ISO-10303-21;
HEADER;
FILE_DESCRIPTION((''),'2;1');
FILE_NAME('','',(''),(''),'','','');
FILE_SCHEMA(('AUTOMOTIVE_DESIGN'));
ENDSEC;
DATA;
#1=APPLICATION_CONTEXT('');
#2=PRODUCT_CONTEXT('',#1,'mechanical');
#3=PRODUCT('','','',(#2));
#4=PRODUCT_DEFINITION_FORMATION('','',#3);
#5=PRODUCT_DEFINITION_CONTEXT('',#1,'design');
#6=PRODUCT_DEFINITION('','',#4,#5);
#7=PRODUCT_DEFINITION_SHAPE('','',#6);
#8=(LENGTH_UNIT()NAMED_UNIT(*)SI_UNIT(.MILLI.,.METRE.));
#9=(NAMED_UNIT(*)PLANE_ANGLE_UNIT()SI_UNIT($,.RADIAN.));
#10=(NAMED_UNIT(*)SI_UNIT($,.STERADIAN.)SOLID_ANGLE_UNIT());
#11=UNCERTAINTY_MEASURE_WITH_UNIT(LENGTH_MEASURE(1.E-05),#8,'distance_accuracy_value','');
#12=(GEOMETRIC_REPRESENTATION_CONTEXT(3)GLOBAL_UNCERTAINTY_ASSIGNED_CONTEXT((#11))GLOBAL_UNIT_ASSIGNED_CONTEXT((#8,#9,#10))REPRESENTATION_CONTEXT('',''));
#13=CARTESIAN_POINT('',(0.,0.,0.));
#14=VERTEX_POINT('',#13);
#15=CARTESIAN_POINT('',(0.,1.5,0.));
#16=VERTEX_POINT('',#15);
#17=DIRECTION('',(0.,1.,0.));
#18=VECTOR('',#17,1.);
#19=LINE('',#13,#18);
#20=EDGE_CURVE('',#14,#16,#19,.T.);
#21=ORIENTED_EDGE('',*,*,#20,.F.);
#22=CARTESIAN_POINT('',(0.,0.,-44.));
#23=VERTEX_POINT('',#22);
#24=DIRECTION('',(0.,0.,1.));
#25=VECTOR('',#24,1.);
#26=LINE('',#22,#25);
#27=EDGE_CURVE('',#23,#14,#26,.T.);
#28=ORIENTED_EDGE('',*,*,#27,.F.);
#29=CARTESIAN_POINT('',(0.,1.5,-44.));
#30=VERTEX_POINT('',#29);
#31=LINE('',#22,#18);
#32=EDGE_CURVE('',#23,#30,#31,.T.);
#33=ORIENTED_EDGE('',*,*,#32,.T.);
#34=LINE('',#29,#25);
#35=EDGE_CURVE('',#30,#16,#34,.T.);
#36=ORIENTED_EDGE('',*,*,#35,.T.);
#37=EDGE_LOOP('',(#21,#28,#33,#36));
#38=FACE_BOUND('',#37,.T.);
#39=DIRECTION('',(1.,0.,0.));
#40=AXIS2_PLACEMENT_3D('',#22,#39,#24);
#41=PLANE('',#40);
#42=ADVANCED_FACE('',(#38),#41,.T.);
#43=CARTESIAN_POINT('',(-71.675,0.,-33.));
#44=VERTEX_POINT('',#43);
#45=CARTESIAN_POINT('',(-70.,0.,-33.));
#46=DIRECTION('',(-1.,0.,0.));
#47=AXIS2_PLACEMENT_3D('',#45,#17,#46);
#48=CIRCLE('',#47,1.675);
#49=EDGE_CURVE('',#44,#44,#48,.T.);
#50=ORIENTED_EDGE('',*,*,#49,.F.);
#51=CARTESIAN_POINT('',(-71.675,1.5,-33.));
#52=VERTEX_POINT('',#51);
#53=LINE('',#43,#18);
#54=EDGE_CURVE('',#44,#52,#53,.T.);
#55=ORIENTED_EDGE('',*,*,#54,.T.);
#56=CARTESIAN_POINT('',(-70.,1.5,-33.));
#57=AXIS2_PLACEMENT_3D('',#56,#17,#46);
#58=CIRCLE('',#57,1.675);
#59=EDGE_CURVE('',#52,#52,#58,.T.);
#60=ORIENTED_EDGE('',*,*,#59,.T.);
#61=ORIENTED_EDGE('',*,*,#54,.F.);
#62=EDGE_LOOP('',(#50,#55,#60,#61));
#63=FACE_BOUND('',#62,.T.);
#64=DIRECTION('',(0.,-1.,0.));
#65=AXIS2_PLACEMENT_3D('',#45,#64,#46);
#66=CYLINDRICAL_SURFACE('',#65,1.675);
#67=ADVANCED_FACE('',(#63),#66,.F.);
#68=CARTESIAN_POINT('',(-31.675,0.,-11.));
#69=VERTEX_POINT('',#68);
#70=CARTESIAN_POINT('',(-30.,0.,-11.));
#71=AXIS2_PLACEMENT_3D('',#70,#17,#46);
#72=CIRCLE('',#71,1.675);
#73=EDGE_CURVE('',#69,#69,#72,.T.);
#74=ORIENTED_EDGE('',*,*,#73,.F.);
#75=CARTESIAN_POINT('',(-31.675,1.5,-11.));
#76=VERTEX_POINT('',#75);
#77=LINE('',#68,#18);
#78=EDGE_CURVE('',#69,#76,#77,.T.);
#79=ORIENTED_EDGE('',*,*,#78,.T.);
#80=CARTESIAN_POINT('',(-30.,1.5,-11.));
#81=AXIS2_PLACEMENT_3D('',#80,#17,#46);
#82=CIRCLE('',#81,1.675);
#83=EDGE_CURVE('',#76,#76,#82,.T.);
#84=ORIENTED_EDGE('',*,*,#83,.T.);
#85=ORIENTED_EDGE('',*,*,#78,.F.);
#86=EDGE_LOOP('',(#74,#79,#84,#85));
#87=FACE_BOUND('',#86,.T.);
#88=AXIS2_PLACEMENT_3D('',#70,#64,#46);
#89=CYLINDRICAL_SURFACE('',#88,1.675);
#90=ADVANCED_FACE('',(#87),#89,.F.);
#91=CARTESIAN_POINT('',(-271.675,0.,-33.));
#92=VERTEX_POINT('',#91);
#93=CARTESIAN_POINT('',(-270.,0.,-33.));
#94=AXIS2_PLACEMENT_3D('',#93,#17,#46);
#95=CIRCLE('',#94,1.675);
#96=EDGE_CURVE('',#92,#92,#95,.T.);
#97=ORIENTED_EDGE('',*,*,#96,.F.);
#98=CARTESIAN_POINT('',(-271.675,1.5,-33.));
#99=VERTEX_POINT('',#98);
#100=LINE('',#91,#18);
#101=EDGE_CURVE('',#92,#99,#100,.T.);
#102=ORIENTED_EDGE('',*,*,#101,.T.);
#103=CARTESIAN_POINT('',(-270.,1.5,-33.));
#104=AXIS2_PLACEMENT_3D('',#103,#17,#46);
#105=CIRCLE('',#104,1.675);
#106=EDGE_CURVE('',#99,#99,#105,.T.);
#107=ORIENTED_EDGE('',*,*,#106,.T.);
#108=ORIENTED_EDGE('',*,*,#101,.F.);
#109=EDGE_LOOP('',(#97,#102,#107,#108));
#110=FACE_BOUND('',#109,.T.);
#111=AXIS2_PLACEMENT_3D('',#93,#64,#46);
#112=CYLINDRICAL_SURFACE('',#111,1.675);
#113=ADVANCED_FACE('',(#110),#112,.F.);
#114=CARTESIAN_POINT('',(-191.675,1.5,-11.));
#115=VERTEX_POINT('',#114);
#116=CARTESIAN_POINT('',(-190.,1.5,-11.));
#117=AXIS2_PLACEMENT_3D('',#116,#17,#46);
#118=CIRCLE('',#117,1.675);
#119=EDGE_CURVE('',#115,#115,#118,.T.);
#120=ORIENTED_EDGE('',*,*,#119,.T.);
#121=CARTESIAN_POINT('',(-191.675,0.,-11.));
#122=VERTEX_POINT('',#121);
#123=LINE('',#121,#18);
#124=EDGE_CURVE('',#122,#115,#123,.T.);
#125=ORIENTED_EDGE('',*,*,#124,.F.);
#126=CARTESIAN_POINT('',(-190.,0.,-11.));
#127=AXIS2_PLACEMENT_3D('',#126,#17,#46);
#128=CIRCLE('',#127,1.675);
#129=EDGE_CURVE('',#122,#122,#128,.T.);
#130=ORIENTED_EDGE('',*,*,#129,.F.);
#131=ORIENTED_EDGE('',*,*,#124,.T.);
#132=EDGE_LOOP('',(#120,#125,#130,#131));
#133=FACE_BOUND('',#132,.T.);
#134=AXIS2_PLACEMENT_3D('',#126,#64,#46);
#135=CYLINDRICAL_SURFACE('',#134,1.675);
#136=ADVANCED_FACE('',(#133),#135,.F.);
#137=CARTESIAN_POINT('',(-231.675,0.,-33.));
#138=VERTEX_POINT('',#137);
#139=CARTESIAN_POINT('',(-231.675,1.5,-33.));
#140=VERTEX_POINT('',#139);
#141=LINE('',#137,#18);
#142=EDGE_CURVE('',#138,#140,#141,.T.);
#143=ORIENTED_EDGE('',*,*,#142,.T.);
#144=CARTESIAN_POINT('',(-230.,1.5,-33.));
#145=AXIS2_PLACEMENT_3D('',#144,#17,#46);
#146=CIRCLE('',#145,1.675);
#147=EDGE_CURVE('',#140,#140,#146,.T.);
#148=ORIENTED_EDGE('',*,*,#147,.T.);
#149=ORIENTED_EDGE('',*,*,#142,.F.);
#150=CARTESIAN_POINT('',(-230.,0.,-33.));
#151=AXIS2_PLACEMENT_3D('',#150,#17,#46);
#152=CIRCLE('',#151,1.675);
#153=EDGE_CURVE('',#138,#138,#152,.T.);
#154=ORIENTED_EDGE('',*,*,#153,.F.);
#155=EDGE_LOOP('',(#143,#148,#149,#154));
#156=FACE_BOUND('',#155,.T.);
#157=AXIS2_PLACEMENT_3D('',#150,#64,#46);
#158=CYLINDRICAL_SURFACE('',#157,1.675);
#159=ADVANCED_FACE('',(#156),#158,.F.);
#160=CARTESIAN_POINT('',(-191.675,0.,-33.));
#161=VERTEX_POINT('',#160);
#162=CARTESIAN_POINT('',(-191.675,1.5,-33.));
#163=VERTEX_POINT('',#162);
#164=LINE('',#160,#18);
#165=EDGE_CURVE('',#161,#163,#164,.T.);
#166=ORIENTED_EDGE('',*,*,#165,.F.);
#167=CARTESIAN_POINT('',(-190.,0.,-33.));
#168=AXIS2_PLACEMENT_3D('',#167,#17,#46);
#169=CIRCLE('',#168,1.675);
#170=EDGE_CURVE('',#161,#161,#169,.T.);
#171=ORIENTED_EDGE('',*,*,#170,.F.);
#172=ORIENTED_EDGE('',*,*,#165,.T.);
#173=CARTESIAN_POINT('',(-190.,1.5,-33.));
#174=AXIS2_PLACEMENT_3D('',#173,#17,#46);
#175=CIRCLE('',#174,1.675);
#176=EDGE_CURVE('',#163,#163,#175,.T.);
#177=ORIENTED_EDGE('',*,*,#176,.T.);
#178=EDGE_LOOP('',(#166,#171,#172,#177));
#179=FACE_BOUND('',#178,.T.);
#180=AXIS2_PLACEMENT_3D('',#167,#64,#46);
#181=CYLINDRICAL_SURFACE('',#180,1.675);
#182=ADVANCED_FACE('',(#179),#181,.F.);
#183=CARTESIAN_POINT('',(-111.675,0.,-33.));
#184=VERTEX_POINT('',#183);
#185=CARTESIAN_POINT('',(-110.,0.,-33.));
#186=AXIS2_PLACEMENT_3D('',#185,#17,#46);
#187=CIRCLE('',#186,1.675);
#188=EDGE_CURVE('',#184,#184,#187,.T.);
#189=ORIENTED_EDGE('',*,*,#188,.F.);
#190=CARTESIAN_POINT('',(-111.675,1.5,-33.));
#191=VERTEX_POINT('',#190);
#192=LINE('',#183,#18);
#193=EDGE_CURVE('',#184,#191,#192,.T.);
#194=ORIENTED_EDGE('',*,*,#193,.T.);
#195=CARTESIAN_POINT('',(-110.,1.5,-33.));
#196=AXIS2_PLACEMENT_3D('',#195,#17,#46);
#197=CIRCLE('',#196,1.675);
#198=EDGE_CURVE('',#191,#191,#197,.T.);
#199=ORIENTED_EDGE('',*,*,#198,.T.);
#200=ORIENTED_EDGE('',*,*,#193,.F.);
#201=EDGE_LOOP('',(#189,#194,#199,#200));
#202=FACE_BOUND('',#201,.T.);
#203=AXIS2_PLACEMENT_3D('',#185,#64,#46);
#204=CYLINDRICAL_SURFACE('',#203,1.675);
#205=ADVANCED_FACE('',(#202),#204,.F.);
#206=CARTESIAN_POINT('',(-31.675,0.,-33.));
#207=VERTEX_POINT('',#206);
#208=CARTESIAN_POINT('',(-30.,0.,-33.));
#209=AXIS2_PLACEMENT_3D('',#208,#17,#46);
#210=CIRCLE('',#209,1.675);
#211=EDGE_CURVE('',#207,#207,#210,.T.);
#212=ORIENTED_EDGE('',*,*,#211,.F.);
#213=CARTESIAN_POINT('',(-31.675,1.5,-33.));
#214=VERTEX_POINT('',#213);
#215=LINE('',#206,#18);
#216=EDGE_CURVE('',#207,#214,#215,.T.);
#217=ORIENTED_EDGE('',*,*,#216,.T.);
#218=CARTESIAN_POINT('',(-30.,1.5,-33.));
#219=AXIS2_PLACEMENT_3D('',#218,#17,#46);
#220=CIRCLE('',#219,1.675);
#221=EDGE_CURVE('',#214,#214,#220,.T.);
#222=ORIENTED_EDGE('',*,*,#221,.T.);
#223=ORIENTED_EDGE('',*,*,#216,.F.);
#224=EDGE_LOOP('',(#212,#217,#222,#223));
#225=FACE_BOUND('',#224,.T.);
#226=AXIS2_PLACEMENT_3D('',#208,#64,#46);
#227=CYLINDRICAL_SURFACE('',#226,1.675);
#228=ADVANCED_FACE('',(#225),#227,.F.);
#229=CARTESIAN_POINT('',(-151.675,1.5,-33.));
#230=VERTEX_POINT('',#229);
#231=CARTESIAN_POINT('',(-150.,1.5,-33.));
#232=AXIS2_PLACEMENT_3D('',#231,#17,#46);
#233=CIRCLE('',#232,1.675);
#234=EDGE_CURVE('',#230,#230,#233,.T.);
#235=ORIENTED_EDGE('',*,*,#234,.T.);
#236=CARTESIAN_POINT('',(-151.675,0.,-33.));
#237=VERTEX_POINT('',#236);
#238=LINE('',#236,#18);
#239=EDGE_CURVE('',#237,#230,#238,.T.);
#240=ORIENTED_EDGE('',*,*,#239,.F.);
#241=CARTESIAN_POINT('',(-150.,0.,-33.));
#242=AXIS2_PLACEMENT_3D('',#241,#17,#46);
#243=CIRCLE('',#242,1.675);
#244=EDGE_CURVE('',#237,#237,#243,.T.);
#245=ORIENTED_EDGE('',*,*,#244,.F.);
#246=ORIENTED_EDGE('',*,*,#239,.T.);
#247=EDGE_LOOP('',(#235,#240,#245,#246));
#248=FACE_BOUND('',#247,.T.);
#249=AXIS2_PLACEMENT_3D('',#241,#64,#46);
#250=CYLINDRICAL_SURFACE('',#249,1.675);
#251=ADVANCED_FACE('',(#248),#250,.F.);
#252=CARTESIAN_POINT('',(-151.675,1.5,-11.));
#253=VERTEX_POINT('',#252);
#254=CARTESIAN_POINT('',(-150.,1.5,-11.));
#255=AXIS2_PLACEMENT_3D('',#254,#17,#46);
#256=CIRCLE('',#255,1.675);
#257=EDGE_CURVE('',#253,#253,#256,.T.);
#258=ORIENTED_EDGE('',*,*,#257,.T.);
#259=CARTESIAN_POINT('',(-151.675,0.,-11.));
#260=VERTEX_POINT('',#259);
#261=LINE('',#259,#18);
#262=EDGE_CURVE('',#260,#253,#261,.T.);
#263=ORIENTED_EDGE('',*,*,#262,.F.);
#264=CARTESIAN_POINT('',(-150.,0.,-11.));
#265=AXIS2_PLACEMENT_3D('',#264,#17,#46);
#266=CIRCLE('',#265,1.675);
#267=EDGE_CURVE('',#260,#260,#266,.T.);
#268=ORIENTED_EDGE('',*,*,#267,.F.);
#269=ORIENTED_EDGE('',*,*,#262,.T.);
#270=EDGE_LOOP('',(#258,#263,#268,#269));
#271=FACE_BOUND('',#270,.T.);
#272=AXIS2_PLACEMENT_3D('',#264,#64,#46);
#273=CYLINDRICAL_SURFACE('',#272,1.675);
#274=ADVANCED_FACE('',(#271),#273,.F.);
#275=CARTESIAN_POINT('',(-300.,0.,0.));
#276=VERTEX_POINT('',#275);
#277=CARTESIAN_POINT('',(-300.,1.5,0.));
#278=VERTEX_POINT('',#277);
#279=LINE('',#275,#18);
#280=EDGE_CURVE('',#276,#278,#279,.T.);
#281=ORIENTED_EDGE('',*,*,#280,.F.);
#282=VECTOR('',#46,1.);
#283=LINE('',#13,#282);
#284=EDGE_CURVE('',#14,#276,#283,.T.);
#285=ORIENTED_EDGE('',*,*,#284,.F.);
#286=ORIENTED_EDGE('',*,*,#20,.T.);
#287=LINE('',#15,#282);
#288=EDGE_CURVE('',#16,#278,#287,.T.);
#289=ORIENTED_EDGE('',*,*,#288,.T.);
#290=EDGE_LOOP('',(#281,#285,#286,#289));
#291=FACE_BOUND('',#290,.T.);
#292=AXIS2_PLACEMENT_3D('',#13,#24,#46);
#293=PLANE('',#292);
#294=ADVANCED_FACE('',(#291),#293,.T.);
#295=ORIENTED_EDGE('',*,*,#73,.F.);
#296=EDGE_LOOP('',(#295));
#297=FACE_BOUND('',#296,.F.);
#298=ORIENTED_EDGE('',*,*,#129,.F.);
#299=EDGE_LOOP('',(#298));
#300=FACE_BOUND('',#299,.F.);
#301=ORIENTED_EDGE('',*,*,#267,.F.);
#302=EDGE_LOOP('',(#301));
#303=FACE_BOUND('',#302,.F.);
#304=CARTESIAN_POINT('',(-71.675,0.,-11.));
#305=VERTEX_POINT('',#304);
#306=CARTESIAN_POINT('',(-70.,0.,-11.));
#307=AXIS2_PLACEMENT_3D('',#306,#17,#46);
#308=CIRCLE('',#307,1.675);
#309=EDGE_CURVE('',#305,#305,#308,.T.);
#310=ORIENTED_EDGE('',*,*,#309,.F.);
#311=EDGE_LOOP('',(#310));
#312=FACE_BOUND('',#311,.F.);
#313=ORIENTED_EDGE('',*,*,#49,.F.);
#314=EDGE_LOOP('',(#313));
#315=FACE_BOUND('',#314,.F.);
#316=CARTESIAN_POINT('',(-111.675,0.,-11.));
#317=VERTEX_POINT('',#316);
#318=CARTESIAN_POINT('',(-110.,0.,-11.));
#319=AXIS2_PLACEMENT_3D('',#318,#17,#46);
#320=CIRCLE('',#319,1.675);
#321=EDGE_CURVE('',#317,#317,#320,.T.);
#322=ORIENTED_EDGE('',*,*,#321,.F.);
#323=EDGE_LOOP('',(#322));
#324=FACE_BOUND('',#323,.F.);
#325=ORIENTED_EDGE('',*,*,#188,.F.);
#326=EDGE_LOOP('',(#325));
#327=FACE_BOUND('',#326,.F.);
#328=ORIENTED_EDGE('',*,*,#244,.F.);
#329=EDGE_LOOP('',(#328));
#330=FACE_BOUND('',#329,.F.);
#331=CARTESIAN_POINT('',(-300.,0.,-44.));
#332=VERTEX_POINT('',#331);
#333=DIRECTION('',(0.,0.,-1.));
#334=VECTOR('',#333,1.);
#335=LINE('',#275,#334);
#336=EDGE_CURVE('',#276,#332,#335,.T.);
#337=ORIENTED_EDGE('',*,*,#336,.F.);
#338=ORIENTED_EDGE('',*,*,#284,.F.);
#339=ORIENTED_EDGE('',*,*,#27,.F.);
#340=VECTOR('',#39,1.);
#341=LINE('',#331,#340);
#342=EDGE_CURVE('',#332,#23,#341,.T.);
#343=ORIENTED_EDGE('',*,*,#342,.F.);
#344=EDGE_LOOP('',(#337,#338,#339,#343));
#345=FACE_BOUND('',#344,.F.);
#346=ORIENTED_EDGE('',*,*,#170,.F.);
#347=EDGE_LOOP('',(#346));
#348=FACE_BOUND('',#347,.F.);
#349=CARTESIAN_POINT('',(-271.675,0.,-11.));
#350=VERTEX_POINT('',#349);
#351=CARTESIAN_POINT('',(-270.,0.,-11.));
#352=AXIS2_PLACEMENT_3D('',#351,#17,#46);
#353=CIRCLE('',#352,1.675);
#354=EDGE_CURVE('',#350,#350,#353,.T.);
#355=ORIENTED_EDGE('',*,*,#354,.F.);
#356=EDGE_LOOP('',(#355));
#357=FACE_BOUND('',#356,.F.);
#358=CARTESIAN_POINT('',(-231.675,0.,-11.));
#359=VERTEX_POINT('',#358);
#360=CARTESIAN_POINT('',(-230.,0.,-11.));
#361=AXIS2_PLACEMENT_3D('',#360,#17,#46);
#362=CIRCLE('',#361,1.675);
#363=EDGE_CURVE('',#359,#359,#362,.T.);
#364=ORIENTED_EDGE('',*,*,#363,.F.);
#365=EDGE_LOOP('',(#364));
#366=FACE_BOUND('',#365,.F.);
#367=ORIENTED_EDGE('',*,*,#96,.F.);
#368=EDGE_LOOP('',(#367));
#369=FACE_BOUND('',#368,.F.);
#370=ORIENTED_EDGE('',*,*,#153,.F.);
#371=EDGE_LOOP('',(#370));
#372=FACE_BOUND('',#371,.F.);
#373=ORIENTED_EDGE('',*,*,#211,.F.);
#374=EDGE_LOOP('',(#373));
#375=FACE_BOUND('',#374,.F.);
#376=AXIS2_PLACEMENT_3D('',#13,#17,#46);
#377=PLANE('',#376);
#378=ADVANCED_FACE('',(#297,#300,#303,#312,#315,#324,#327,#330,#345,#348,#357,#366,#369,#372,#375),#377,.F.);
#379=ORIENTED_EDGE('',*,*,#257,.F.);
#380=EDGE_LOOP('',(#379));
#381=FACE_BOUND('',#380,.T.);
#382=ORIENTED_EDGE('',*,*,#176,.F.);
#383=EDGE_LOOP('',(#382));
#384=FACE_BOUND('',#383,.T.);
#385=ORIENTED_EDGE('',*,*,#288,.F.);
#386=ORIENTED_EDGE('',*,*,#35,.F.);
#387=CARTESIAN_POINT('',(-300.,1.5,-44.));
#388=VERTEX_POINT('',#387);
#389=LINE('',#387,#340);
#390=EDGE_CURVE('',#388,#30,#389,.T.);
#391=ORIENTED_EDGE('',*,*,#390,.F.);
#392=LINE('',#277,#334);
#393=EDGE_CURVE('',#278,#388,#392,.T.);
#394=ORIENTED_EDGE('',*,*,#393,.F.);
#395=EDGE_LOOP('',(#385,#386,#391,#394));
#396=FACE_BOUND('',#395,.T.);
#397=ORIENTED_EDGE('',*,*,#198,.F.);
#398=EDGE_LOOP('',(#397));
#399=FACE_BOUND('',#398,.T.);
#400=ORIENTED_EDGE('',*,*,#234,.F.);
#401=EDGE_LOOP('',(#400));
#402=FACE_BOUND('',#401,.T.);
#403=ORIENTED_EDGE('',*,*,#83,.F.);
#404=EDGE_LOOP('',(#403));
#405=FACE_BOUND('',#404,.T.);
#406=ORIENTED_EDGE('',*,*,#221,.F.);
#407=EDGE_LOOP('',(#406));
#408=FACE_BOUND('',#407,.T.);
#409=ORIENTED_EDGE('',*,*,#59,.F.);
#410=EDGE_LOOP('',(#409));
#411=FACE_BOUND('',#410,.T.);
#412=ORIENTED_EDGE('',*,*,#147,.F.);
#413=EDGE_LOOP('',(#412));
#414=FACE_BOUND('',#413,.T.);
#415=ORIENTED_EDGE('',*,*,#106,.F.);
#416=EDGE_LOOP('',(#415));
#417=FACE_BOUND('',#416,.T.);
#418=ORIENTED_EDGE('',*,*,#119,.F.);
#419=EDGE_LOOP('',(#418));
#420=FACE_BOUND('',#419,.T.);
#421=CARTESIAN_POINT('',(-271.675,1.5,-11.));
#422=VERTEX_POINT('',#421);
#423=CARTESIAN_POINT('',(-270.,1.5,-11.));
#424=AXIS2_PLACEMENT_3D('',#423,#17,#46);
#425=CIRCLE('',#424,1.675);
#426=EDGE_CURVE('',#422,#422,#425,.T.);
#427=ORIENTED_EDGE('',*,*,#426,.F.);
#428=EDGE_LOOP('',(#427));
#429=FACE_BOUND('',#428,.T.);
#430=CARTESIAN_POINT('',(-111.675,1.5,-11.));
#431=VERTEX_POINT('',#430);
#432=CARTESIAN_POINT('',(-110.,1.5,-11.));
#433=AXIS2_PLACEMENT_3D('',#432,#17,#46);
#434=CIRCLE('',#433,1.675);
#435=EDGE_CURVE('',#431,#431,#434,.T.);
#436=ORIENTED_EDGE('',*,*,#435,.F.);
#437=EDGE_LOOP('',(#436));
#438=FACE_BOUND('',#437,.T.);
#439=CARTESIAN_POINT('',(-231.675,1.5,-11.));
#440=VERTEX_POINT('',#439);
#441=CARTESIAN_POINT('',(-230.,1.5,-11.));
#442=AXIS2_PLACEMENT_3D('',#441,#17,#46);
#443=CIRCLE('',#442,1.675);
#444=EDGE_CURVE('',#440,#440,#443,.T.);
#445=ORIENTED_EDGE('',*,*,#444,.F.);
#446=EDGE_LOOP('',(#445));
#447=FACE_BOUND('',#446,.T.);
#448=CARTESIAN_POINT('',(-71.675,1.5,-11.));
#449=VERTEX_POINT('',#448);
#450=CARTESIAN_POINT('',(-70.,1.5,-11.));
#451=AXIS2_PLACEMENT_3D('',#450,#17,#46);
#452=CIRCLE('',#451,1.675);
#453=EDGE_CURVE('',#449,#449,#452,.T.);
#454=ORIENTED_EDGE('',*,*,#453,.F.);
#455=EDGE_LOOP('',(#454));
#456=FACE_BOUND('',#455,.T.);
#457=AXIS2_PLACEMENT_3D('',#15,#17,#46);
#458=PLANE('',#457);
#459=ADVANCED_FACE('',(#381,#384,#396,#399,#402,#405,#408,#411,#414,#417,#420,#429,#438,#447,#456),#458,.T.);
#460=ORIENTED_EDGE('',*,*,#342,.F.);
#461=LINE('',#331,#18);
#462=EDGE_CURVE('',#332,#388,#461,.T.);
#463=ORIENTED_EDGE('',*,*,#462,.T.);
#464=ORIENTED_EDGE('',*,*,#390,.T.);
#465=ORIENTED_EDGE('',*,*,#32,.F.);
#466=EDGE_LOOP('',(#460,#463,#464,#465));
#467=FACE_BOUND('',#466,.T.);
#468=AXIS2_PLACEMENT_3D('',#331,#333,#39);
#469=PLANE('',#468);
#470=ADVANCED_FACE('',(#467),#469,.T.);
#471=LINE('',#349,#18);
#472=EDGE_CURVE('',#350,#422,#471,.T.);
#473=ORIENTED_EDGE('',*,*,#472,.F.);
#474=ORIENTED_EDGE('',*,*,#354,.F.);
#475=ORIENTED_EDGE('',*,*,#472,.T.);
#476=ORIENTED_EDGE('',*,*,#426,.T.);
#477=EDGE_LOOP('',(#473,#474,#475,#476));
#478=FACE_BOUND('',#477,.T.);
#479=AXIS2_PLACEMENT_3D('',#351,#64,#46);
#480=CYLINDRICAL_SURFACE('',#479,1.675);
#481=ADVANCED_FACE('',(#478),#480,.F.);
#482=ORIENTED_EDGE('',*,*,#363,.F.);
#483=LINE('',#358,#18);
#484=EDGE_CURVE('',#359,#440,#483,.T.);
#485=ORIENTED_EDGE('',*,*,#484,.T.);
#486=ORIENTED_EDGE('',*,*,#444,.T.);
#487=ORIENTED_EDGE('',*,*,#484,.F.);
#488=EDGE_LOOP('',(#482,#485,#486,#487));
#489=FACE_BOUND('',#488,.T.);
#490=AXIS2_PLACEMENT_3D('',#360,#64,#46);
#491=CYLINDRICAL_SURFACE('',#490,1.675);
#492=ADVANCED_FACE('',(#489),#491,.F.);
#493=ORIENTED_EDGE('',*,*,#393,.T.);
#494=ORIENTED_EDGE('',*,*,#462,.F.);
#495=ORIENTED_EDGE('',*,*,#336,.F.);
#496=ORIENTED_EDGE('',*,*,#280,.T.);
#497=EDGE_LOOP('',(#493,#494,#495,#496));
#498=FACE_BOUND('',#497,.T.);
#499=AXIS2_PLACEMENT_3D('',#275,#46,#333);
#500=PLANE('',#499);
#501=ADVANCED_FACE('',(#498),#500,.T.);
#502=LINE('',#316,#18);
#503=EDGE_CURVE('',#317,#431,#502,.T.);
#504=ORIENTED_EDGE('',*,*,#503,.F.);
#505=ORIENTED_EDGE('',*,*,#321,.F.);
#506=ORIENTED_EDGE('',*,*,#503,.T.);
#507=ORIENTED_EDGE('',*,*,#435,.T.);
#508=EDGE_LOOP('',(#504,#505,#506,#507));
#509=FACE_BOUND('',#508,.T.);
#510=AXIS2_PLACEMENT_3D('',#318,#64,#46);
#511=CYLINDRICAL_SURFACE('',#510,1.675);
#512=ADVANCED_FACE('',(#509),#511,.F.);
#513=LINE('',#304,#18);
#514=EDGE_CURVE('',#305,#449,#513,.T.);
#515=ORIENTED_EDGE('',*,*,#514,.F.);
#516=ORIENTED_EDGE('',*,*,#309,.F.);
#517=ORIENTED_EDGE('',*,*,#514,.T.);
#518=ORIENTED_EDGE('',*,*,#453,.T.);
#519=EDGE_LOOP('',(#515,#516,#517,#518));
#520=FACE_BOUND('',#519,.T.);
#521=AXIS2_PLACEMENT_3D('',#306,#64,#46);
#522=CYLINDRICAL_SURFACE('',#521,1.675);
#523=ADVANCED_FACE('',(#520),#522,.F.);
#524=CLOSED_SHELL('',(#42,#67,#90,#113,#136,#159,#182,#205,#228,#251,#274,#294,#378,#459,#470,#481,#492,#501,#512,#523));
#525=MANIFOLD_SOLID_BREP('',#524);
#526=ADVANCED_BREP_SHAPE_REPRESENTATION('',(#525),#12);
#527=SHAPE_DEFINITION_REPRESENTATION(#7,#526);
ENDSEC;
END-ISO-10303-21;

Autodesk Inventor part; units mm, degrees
ref_plane "YZ Plane" through (0, 0, 0) normal (1, 0, 0) x (0, 1, 0)
ref_plane "XZ Plane" through (0, 0, 0) normal (0, 1, 0) x (-1, 0, 0)
ref_plane "XY Plane" through (0, 0, 0) normal (0, 0, 1) x (1, 0, 0)
sketch "Sketch1" plane through (0, 0, 0) normal (0, 1, 0) x (-1, 0, 0)
  line L0 (0, 0) -> (300, 0)
  line L1 (300, 0) -> (300, -44)
  line L2 (300, -44) -> (0, -44)
  line L3 (0, -44) -> (0, 0)
  circle A0 centre (270, -11) radius 1.675
  circle A1 centre (270, -33) radius 1.675
  circle A2 centre (230, -11) radius 1.675
  circle A3 centre (230, -33) radius 1.675
  circle A4 centre (190, -11) radius 1.675
  circle A5 centre (190, -33) radius 1.675
  circle A6 centre (150, -11) radius 1.675
  circle A7 centre (150, -33) radius 1.675
  circle A8 centre (110, -11) radius 1.675
  circle A9 centre (110, -33) radius 1.675
  circle A10 centre (70, -11) radius 1.675
  circle A11 centre (70, -33) radius 1.675
  circle A12 centre (30, -11) radius 1.675
  circle A13 centre (30, -33) radius 1.675
  dimension "d0" = 44
  dimension "d1" = 300
  dimension "d2" = 3.35
  dimension "d3" = 11
  dimension "d4" = 3.35
  dimension "d5" = 30
  dimension "d6" = 30
  dimension "d7" = 11
  dimension "d10" = 40
extrude "Plate1" add sketch "Sketch1" along normal blind 1.5
equation "\"d4\" = d2"
equation "\"d15\" = Thickness"
equation "\"BendRadius\" = Thickness"
equation "\"BendReliefWidth\" = Thickness"
equation "\"BendReliefDepth\" = 0.5 * Thickness"
equation "\"CornerReliefSize\" = 4 * Thickness"
equation "\"MinimumRemnant\" = 2 * Thickness"
equation "\"TransitionRadius\" = BendRadius"
equation "\"JacobiRadiusSize\" = BendRadius"
equation "\"GapSize\" = Thickness"
equation "\"Thickness\" = 1.5"
properties part number "Samle_plade"
